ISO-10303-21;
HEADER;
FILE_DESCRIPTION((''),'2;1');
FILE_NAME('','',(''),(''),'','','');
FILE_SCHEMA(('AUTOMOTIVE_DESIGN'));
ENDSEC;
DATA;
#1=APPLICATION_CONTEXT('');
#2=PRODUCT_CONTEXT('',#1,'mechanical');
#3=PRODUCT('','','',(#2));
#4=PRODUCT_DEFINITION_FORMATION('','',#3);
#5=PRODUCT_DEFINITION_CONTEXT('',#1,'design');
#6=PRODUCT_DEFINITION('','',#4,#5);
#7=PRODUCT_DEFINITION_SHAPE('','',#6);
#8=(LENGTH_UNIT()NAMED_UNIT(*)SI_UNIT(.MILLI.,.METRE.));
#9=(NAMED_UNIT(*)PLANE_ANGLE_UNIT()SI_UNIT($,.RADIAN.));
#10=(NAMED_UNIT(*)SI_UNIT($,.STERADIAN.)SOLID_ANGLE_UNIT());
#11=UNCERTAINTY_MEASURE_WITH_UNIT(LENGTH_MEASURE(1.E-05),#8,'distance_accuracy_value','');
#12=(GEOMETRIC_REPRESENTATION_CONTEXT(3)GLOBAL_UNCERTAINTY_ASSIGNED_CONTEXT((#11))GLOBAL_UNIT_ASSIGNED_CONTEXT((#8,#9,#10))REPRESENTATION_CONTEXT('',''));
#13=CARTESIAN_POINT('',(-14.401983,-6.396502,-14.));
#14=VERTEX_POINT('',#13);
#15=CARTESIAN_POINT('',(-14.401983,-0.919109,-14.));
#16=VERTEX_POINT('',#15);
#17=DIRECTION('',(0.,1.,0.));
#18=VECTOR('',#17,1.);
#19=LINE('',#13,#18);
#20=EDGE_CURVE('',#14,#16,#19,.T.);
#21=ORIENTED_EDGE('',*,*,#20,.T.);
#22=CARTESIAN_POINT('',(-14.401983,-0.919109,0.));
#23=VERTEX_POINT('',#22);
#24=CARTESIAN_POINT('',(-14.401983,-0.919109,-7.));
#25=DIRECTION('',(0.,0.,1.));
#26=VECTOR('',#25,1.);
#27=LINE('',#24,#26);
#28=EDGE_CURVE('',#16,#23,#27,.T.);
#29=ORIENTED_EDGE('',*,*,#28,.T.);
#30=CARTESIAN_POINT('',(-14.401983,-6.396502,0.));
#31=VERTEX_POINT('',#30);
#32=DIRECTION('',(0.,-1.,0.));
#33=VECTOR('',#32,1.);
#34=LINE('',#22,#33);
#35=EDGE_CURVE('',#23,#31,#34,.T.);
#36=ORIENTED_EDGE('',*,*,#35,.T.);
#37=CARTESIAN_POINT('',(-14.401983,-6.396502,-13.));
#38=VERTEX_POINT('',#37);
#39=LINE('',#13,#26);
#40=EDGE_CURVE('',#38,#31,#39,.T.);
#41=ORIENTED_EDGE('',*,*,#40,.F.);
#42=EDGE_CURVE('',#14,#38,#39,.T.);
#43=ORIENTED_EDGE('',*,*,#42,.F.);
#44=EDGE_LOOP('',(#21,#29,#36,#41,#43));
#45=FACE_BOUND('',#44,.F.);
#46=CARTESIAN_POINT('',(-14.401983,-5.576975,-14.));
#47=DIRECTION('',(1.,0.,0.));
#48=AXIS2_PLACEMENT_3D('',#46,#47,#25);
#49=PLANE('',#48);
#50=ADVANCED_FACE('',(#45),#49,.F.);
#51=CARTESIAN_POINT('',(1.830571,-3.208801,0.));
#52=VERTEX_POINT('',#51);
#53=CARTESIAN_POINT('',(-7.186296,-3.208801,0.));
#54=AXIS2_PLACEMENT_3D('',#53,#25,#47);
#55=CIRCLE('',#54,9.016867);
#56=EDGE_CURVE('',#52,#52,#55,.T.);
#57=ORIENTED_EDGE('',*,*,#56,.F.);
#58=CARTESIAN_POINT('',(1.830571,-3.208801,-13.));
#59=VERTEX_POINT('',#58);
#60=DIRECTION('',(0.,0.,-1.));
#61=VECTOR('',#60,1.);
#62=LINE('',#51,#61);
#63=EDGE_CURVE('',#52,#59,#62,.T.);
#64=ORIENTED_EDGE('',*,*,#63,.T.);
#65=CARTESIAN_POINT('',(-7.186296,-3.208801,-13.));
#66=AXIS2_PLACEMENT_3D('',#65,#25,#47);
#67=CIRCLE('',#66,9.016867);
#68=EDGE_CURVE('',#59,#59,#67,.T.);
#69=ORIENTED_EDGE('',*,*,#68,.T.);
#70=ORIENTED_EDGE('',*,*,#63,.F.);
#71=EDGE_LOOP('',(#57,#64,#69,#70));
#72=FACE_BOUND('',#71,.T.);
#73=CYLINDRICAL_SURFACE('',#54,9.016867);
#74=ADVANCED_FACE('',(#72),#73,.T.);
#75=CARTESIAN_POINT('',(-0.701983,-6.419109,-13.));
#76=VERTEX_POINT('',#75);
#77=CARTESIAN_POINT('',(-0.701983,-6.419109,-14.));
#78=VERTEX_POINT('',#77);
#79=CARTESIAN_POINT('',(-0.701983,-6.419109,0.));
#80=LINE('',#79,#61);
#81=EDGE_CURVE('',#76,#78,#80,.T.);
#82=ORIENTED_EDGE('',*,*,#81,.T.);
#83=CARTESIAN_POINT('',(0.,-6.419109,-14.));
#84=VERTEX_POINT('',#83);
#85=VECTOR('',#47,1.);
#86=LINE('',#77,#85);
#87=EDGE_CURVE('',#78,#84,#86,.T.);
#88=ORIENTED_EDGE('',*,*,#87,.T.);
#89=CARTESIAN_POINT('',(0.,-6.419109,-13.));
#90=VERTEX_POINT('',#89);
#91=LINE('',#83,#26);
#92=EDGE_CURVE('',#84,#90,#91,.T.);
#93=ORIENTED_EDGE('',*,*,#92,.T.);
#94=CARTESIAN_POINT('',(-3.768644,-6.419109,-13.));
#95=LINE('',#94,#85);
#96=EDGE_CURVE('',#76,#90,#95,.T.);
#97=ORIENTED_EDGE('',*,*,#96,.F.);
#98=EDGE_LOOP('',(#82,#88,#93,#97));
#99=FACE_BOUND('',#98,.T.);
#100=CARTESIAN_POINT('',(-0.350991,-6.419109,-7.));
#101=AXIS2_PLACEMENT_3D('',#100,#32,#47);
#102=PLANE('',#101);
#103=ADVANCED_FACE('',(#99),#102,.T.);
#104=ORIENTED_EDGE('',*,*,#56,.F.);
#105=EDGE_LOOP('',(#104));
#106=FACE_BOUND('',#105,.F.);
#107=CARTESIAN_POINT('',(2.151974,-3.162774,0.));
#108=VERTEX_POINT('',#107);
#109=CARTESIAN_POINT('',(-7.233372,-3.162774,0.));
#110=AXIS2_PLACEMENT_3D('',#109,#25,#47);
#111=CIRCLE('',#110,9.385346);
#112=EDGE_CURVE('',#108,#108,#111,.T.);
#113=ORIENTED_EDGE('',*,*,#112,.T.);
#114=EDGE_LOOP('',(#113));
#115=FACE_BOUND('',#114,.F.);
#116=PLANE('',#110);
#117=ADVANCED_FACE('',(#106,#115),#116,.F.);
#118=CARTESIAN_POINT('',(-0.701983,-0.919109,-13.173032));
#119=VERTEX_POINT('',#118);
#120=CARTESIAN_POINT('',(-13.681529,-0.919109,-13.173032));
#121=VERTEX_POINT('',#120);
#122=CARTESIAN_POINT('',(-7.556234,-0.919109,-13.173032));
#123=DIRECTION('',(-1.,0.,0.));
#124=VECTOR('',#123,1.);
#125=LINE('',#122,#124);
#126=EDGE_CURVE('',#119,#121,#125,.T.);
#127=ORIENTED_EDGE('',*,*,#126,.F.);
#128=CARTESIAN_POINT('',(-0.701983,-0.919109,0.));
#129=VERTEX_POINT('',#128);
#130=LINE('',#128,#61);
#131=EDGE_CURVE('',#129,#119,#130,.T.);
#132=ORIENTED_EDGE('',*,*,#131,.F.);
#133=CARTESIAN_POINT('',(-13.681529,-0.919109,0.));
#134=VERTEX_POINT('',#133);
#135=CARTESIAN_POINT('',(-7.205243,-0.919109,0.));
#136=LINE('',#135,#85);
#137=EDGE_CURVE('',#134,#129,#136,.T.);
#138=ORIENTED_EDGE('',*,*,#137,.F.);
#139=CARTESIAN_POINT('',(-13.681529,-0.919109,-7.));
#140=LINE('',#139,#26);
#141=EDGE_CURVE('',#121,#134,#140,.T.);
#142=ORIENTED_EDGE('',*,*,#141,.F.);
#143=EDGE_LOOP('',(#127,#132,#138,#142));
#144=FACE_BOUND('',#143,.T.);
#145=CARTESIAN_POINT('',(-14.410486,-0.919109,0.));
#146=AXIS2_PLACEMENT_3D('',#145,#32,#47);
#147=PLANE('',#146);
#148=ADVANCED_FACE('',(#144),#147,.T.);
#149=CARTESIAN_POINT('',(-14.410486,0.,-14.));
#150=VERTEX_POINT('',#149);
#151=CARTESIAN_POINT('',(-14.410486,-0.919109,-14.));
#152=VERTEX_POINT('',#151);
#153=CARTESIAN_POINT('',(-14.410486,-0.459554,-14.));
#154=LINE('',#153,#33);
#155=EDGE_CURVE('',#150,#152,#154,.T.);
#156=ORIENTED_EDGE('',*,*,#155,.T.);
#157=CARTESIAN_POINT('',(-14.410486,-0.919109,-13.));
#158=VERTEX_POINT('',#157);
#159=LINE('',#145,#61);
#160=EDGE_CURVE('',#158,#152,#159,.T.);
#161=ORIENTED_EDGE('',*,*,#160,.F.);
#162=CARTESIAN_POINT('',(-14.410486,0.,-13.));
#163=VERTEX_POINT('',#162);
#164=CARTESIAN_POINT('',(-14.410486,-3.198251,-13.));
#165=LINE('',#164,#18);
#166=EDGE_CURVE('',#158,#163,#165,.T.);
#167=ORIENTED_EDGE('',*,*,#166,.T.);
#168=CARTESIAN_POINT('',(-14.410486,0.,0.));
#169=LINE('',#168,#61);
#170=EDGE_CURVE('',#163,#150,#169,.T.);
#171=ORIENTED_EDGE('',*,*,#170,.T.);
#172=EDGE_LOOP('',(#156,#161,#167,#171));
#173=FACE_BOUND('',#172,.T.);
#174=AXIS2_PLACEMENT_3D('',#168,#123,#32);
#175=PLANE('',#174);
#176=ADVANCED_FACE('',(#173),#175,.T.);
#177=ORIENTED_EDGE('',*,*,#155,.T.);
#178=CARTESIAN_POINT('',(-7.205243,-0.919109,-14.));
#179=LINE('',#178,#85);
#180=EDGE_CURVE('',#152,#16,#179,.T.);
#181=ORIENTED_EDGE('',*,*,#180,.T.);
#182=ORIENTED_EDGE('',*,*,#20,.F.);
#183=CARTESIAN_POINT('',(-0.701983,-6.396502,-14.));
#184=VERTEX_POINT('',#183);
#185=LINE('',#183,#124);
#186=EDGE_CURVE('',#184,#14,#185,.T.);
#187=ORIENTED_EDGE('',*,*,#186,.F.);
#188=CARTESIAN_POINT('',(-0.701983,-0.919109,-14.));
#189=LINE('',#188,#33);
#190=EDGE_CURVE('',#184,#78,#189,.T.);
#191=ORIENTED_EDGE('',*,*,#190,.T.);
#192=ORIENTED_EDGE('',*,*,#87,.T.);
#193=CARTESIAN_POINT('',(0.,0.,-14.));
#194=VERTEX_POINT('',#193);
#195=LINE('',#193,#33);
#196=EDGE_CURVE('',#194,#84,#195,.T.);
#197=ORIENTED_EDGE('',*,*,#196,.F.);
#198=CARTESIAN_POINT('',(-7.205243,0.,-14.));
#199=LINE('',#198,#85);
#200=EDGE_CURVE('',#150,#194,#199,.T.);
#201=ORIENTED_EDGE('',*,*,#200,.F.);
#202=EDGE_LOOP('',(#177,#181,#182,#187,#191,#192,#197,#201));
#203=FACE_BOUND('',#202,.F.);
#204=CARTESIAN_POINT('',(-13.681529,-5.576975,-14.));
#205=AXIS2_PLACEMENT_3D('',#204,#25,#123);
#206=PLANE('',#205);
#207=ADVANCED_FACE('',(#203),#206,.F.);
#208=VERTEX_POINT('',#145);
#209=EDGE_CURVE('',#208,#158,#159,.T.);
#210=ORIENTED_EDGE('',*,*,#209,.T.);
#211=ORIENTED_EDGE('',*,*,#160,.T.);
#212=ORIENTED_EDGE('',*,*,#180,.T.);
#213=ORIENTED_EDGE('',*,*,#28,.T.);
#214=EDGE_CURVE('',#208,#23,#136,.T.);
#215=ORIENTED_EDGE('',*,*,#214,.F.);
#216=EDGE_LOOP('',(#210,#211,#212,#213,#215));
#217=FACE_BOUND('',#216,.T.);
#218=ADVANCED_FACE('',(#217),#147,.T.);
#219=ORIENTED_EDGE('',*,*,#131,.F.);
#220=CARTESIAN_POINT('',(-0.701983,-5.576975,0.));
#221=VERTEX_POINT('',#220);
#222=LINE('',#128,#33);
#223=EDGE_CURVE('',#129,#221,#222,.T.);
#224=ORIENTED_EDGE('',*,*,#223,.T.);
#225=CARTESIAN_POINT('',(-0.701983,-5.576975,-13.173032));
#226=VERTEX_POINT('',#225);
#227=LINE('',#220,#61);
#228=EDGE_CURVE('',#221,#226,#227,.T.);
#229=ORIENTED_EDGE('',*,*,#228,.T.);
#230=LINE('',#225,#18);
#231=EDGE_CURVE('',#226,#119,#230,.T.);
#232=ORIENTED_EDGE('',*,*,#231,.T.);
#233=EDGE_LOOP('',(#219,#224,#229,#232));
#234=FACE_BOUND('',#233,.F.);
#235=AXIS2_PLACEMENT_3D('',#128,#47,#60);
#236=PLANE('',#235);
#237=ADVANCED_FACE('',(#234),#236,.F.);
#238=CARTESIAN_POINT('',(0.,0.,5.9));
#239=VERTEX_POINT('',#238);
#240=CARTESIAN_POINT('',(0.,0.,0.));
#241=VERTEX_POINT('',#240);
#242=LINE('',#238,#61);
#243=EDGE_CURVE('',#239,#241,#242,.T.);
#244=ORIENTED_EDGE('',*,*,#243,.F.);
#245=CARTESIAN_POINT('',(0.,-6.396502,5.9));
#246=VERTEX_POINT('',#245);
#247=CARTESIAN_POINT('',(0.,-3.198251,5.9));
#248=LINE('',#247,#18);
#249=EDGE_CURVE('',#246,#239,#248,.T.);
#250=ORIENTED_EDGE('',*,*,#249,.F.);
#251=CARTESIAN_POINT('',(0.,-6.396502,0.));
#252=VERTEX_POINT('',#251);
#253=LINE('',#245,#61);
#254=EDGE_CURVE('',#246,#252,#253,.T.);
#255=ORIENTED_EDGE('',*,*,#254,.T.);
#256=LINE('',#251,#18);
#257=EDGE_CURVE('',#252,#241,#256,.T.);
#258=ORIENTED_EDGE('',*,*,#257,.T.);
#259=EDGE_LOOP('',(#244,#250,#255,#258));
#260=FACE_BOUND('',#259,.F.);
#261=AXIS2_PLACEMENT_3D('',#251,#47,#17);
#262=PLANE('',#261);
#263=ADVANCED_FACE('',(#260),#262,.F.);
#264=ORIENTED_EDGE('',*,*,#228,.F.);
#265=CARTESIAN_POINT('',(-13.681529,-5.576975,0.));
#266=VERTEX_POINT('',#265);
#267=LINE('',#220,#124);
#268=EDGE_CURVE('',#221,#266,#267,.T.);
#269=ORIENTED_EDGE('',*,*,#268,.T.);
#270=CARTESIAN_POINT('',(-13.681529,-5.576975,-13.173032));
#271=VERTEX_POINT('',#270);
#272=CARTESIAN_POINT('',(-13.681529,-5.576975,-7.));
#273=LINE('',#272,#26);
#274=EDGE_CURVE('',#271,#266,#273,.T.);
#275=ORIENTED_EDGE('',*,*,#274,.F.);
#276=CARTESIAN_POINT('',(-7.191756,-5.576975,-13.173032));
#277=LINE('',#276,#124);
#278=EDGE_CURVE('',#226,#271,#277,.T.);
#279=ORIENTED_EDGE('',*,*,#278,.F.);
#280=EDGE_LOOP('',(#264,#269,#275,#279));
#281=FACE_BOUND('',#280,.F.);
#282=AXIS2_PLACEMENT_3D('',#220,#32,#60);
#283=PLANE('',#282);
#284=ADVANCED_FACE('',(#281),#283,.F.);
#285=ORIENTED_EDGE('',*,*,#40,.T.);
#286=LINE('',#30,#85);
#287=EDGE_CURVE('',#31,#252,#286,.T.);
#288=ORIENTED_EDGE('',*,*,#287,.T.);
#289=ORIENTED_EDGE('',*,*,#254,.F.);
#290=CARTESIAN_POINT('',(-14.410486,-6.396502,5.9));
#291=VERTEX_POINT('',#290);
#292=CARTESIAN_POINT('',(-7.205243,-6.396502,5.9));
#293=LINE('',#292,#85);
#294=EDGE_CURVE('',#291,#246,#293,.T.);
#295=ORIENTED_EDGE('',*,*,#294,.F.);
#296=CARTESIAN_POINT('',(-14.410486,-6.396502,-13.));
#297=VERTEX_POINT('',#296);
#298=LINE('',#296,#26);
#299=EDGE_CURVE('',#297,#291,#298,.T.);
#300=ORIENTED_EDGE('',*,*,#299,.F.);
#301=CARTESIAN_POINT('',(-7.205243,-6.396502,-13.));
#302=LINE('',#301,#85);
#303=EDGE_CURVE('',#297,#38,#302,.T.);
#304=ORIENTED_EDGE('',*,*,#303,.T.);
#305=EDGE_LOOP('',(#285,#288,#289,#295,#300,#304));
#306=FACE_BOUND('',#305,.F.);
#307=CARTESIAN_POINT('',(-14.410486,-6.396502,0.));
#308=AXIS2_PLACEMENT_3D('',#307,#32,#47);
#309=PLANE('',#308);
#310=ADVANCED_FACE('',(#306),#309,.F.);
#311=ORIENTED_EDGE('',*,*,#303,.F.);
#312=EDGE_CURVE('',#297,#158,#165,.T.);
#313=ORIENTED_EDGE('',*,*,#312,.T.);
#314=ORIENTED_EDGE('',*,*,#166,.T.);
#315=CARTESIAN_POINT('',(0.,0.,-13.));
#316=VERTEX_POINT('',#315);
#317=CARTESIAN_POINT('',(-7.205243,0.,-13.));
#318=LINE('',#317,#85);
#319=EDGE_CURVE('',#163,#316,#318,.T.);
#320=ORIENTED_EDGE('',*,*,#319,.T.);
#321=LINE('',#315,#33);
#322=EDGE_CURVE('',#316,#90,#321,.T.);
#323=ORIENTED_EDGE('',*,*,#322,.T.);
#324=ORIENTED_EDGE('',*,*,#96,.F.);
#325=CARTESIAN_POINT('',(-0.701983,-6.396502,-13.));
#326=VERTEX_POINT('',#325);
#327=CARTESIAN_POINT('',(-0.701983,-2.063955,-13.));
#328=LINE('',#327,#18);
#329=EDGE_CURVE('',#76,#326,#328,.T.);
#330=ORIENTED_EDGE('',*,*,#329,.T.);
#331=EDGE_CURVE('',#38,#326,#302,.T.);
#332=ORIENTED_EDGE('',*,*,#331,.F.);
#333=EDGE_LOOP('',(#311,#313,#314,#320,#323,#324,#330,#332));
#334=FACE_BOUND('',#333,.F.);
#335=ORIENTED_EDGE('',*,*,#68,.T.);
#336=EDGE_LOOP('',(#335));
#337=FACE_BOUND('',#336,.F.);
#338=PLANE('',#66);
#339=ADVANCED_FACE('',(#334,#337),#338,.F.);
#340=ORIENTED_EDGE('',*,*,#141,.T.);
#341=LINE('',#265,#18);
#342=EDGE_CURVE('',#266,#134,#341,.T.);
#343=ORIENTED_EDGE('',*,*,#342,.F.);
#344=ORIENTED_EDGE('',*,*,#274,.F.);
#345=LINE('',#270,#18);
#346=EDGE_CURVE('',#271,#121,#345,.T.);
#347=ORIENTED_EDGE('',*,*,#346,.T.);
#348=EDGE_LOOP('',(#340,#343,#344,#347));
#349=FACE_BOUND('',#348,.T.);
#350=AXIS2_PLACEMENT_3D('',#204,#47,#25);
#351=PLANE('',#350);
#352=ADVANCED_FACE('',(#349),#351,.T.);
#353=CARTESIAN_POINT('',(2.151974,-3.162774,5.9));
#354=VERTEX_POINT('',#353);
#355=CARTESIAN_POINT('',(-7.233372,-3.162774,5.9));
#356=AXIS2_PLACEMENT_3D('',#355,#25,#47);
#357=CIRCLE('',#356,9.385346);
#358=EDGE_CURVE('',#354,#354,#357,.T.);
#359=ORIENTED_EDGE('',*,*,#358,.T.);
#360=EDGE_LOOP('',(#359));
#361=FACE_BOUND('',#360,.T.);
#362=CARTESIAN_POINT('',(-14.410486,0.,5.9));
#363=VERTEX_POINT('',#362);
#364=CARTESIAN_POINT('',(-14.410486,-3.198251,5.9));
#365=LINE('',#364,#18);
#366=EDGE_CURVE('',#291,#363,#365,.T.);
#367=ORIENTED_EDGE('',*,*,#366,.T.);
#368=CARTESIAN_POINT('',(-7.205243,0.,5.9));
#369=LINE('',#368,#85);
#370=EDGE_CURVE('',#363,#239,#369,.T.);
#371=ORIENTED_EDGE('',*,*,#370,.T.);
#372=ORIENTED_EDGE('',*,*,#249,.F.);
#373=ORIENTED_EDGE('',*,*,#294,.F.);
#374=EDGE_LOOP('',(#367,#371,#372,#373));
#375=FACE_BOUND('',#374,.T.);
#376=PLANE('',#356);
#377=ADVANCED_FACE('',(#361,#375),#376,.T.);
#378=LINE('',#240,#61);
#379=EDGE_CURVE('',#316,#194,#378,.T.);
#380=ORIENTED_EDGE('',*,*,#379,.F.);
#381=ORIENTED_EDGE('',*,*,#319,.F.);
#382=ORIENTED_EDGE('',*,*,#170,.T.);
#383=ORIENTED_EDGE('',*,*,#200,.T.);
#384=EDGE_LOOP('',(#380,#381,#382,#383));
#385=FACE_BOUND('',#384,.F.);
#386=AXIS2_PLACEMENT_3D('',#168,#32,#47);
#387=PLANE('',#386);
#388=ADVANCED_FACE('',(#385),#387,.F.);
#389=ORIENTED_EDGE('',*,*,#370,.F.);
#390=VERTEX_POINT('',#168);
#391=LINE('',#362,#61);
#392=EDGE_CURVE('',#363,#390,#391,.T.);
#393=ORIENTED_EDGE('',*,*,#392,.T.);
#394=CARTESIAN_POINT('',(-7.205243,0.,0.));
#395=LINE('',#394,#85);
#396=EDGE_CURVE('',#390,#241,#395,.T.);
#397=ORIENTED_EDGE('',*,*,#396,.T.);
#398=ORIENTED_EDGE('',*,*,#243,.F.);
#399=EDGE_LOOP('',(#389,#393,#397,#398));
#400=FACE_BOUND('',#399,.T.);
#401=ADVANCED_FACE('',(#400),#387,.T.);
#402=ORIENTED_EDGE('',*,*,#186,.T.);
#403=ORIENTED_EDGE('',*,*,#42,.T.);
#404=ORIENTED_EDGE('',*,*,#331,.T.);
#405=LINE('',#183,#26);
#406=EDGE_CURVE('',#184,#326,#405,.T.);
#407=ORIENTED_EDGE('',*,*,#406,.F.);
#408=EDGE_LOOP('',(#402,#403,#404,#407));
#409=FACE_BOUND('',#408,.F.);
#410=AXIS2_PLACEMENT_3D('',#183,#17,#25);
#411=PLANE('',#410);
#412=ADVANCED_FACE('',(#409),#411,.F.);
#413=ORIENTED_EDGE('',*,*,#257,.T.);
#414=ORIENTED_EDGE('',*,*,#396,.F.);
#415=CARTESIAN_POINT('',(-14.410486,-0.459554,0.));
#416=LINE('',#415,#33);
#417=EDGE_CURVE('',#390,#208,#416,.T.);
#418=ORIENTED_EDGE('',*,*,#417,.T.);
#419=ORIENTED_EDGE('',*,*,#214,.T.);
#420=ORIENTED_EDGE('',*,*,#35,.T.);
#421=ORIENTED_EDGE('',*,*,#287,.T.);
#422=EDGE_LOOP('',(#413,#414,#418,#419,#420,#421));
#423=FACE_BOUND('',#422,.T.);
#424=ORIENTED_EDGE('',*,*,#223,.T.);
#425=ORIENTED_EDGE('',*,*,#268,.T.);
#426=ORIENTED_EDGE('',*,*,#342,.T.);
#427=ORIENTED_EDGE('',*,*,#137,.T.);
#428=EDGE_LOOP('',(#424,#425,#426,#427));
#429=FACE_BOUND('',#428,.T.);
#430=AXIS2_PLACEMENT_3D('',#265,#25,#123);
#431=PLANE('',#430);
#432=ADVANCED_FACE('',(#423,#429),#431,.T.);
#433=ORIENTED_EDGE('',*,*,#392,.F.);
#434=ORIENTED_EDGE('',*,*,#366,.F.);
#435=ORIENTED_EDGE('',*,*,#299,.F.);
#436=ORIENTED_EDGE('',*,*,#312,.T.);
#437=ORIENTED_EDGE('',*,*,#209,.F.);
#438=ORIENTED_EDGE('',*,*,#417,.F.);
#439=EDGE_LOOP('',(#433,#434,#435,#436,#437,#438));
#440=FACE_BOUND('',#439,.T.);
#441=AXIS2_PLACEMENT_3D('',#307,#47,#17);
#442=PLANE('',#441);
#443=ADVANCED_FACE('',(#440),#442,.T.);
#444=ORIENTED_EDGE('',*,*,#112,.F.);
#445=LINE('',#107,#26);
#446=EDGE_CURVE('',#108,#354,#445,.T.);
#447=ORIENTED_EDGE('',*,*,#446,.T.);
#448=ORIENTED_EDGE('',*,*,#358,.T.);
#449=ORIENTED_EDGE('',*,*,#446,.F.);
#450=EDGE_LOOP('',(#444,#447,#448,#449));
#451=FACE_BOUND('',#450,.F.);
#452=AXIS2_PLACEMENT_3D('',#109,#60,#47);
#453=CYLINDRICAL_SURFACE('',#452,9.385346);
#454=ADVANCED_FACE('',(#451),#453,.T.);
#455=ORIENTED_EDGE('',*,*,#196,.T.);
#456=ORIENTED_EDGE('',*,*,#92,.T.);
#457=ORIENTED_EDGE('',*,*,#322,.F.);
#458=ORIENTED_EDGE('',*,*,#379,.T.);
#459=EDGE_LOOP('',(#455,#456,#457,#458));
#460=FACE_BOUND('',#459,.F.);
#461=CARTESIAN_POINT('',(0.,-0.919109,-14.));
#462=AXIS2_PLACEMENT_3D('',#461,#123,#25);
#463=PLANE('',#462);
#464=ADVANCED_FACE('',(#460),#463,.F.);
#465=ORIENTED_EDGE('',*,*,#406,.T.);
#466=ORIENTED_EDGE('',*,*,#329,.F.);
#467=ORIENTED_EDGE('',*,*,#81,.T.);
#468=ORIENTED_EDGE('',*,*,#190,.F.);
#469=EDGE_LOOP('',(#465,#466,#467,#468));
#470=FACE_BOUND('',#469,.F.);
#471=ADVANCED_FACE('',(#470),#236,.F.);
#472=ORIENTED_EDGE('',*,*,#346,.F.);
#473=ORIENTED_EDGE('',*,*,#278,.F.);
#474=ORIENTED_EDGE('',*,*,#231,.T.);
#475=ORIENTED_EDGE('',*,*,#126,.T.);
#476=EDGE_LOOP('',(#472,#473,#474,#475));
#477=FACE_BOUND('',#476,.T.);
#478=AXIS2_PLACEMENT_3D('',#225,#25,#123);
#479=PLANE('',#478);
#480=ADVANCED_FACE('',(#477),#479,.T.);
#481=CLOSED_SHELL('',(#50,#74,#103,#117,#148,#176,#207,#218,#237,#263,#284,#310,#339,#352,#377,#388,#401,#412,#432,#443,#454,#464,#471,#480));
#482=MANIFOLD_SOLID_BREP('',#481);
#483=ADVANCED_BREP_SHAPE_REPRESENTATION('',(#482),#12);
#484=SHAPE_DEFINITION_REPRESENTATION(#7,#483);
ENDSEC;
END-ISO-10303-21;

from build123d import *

# Parameters (mm, degrees)
F1_R      = 9.3853456038
F1_W      = 14.4104864448
F1_H      = 6.3965022564
F2_DEPTH  = 5.9
F4_R      = 9.0168673832
F4_W      = 14.4104864448
F4_H      = 6.3965022564
F5_DEPTH  = 13
F3_W      = 14.4104864448
F3_H      = 0.9191088029
F6_DEPTH  = 14
F8_DEPTH  = 5.5
F10_DEPTH = 13.7
F11_W     = 0.7204534382
F11_H     = 14
F12_DEPTH = 5
F13_W     = 12.9795465618
F13_H     = 0.8269683793
F14_DEPTH = 5


with BuildPart() as f2:
    # F1 (on face) → F2 (new body)
    with BuildSketch(Plane.XY):
        with Locations((-7.2333719581, -3.1627740245)):
            Circle(F1_R)
        with Locations((-7.2052432224, -3.1982511282)):
            Rectangle(F1_W, F1_H, mode=Mode.SUBTRACT)
    extrude(amount=F2_DEPTH)

    # F4 (on face) → F5 (join)
    with BuildSketch(Plane.XY):
        with Locations((-7.186296396, -3.2088013832)):
            Circle(F4_R)
        with Locations((-7.2052432224, -3.1982511282)):
            Rectangle(F4_W, F4_H, mode=Mode.SUBTRACT)
    extrude(amount=-F5_DEPTH)

    # F3 (on face) → F6 (join)
    with BuildSketch(Plane(origin=(0, 0, 0), x_dir=(1, 0, 0), z_dir=(0, 0, -1))):
        with Locations((-7.2052432224, 0.4595544015)):
            Rectangle(F3_W, F3_H)
    extrude(amount=F6_DEPTH)

    # F7 (on face) → F8 (join)
    with BuildSketch(Plane.XZ.offset(0.9191088029)):
        Polygon((-0.701982528, -14), (0, -14), (0, -13), (0, 0), (-0.701982528, 0), align=None)
    extrude(amount=F8_DEPTH)

    # F9 (on face) → F10 (join)
    with BuildSketch(Plane(origin=(-0.701982528, 0, 0), x_dir=(0, -1, 0), z_dir=(-1, 0, 0))):
        Polygon((6.3965022564, -13), (6.3965022564, 0), (5.576975178, 0), (5.576975178, -14), (6.3965022564, -14), align=None)
    extrude(amount=F10_DEPTH)

    # F11 (on face) → F12 (join)
    with BuildSketch(Plane(origin=(0, -5.576975178, 0), x_dir=(-1, 0, 0), z_dir=(0, 1, 0))):
        with Locations((14.0417558089, -7)):
            Rectangle(F11_W, F11_H)
    extrude(amount=F12_DEPTH)

    # F13 (on face) → F14 (join)
    with BuildSketch(Plane(origin=(0, -5.576975178, 0), x_dir=(-1, 0, 0), z_dir=(0, 1, 0))):
        with Locations((7.1917558089, -13.5865158103)):
            Rectangle(F13_W, F13_H)
    extrude(amount=F14_DEPTH)


solid = f2.part
